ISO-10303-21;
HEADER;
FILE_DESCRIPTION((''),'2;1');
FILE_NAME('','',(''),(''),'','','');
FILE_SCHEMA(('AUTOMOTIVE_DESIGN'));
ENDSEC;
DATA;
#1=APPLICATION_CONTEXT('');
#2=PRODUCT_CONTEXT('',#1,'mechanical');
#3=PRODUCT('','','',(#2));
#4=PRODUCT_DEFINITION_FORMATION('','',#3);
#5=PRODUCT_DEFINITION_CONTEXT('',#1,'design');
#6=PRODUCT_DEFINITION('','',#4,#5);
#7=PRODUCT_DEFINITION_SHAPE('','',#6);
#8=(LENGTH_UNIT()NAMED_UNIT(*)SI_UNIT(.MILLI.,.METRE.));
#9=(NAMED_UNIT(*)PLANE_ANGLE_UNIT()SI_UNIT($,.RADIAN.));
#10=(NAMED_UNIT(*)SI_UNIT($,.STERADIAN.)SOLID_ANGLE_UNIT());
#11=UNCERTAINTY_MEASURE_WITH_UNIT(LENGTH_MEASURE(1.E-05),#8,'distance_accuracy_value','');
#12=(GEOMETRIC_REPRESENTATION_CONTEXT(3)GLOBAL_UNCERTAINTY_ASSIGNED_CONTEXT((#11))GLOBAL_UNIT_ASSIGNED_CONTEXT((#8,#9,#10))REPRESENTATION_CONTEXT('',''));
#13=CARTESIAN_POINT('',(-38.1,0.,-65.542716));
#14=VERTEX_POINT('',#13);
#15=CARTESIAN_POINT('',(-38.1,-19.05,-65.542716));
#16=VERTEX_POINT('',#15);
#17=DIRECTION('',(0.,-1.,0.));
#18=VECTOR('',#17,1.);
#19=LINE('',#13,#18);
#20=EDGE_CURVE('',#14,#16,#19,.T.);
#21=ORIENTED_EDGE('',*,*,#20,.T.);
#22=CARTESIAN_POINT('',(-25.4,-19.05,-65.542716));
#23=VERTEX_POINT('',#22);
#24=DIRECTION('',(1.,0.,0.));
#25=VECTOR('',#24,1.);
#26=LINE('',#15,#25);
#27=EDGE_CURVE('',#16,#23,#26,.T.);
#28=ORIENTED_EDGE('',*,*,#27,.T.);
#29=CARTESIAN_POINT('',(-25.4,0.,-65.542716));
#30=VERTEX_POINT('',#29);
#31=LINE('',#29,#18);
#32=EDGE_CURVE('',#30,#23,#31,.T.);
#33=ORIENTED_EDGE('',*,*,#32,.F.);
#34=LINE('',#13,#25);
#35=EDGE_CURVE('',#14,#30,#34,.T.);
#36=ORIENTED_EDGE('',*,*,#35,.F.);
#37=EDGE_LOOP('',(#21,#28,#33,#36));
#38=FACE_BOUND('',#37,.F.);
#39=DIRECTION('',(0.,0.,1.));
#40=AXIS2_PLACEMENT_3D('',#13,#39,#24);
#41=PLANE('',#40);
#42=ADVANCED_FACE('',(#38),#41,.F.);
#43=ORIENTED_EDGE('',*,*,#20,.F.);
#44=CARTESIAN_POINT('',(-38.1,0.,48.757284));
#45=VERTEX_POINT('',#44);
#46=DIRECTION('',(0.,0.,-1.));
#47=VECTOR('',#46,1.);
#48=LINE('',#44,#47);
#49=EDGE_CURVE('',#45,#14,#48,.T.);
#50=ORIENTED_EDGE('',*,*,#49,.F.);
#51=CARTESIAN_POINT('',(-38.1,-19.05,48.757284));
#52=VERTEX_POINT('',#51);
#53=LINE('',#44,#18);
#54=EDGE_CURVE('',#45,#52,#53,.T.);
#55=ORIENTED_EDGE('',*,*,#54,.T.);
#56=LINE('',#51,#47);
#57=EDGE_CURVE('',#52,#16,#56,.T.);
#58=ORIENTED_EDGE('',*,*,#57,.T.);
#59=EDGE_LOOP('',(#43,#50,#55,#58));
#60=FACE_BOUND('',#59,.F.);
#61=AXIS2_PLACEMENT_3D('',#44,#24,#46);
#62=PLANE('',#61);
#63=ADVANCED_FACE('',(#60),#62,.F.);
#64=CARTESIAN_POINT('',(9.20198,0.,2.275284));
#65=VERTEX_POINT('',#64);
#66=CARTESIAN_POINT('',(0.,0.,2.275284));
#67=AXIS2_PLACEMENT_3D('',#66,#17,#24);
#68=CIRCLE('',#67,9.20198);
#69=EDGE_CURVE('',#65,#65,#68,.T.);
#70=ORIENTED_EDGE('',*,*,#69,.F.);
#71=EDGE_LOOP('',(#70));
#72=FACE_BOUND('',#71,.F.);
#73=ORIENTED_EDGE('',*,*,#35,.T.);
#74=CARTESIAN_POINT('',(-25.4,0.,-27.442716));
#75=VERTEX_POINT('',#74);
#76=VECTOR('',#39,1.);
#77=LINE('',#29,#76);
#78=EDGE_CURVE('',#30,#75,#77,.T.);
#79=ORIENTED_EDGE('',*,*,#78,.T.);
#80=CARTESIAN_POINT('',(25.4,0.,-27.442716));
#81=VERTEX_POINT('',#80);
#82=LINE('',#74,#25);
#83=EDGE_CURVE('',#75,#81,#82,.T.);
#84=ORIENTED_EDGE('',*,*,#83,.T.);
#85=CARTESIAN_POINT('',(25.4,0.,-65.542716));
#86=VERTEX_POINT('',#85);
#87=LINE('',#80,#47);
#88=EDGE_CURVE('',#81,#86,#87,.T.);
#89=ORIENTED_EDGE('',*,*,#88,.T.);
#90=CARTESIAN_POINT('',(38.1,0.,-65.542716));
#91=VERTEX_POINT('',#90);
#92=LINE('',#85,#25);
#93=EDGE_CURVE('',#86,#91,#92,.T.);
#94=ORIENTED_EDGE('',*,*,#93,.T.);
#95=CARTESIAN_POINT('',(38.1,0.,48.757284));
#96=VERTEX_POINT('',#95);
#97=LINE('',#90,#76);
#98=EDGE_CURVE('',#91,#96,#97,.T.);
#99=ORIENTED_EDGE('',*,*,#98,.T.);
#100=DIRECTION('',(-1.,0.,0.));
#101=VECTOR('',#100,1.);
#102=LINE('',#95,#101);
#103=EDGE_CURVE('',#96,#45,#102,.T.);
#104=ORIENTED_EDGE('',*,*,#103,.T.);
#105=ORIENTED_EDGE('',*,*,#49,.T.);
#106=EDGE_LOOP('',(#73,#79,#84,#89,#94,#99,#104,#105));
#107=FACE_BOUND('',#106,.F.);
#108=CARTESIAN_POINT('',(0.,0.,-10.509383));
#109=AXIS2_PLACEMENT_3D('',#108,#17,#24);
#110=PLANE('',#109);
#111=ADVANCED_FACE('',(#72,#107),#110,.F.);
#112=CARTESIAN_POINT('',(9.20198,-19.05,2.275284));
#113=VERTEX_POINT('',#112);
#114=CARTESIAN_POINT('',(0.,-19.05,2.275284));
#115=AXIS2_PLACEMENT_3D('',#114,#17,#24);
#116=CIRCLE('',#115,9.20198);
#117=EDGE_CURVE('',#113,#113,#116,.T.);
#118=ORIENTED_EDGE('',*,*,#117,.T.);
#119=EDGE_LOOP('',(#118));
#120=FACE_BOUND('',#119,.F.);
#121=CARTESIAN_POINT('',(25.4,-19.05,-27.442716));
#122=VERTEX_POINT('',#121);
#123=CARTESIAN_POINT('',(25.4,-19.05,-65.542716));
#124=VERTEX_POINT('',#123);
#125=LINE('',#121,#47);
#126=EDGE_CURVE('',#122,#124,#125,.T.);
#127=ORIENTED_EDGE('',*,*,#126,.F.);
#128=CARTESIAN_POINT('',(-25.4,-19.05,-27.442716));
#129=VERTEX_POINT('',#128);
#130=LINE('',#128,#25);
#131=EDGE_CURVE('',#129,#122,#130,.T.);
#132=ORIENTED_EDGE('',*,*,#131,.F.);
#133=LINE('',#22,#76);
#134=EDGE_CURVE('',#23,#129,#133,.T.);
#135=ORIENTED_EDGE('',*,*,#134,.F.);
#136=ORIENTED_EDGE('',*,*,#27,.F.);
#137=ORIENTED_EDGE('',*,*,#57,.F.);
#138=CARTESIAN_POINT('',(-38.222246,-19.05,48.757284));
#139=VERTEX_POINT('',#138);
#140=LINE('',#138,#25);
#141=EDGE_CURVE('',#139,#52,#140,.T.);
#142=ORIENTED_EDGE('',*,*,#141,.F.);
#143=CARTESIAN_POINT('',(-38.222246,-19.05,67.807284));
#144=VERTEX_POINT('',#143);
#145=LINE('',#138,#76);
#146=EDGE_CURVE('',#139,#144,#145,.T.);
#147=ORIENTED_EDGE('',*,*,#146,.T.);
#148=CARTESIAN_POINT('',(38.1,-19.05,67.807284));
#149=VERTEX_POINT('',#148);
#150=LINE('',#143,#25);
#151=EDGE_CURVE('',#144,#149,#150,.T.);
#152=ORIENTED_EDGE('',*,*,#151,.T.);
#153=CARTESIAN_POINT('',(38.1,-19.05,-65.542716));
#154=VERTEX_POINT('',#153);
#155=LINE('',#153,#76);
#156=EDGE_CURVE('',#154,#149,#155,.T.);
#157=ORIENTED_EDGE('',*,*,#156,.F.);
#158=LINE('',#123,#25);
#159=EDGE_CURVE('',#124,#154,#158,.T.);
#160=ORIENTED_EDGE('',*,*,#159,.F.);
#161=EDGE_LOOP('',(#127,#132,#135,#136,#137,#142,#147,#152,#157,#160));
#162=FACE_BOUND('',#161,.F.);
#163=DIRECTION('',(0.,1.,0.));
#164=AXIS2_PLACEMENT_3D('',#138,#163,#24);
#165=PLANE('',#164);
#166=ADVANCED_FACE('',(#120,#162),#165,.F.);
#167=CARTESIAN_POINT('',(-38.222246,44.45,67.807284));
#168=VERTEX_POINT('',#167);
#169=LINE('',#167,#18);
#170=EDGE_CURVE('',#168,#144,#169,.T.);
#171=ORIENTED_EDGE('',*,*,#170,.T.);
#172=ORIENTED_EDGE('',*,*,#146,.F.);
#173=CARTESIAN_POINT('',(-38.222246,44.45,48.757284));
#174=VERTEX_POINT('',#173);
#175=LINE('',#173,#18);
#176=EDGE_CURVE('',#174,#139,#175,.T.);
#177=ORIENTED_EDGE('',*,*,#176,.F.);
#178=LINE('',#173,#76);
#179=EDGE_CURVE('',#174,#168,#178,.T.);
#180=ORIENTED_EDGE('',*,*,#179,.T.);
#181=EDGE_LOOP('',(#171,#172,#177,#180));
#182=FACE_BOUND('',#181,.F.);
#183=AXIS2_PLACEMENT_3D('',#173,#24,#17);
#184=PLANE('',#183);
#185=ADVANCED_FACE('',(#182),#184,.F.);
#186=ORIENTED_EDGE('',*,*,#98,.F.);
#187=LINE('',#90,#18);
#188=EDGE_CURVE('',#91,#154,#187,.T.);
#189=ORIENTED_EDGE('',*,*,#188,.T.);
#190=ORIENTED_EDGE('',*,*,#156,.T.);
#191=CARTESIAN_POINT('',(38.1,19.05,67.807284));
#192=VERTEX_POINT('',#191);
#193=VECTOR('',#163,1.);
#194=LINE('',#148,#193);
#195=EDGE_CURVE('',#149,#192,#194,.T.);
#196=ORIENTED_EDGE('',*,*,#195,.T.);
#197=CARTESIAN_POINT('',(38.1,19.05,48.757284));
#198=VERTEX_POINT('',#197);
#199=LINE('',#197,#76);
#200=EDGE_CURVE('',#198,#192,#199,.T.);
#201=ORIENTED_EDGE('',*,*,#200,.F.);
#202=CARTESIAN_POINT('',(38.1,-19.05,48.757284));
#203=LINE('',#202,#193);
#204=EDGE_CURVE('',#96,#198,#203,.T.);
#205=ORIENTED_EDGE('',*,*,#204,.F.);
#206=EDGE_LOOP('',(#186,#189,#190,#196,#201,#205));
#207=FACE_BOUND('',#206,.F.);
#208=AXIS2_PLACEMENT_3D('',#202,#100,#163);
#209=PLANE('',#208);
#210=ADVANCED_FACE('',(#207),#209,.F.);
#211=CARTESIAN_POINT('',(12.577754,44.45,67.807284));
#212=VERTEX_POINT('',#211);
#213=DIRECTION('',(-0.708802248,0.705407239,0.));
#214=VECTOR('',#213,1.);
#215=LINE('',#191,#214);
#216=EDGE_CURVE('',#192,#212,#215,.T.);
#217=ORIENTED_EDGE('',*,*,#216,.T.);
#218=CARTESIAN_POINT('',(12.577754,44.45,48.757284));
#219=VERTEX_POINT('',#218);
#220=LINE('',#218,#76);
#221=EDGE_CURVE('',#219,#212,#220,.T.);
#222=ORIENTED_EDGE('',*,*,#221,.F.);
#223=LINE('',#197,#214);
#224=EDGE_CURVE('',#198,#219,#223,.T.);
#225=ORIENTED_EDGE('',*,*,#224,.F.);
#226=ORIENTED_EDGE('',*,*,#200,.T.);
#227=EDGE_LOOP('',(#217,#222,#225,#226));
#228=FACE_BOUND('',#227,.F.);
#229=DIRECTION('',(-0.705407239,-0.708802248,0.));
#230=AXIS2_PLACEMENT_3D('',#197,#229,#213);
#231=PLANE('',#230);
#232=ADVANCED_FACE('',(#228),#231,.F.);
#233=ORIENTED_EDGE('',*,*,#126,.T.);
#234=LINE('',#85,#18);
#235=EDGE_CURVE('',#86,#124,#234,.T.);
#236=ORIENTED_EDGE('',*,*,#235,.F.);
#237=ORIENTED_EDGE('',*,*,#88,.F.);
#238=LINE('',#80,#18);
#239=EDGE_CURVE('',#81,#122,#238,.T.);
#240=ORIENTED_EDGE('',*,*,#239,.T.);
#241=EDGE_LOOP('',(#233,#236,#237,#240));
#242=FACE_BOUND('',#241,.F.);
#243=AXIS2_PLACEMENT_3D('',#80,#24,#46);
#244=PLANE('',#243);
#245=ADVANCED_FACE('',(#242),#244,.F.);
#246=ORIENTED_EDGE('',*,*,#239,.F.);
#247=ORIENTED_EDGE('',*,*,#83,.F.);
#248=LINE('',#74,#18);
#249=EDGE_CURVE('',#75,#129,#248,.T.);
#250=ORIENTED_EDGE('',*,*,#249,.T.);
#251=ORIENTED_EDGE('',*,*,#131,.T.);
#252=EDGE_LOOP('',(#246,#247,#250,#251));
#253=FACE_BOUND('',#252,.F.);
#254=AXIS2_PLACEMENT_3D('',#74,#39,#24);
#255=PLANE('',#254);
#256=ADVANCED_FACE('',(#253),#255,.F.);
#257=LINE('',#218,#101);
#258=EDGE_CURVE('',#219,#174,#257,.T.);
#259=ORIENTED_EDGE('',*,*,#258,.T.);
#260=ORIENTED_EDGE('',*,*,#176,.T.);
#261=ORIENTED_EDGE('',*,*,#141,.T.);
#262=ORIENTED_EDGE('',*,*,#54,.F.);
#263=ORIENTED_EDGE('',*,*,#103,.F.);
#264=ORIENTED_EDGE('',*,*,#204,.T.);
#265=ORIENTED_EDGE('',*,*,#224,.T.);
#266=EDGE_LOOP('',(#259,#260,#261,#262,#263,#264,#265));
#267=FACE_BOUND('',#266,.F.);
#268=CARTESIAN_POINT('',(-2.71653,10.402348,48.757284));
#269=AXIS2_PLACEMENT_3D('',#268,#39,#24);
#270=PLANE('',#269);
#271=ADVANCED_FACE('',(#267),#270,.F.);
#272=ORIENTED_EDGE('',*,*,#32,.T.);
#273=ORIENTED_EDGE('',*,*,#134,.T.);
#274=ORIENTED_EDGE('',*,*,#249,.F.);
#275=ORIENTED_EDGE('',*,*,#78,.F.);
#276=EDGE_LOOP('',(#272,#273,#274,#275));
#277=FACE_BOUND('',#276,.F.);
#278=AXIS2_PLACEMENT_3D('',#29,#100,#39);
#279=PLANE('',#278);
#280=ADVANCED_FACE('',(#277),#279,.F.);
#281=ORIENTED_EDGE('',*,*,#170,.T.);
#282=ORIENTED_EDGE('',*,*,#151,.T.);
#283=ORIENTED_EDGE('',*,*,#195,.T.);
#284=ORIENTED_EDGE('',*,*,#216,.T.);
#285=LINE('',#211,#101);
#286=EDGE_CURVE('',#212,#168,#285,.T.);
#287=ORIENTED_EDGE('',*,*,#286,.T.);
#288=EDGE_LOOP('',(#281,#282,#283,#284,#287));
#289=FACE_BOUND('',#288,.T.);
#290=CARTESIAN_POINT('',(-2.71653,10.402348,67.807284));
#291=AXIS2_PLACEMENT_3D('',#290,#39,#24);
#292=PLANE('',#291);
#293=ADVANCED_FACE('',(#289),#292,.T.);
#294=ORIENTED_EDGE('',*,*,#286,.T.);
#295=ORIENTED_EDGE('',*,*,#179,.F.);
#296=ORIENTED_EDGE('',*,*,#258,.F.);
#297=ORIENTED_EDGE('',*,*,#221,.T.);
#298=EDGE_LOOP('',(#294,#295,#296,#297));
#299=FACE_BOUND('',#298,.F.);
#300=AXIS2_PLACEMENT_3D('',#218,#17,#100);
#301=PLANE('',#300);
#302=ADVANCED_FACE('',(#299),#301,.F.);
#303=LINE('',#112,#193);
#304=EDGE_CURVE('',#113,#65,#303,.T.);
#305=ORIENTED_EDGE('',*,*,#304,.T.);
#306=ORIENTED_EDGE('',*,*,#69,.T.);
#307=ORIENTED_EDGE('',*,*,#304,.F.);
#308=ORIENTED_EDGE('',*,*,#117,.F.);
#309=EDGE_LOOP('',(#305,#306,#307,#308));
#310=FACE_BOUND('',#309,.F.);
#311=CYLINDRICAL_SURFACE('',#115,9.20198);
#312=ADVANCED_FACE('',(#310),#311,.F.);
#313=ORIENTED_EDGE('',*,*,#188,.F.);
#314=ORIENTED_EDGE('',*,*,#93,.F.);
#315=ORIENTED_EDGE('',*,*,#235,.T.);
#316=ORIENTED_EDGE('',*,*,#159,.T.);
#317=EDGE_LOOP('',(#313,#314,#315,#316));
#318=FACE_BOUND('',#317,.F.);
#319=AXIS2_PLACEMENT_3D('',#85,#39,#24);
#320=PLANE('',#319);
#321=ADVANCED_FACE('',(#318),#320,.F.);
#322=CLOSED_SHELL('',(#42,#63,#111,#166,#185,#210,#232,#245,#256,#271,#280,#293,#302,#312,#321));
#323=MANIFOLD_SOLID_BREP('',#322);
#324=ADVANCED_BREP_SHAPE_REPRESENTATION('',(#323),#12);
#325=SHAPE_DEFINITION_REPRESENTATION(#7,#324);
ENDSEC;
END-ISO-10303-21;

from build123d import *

# Parameters (mm, degrees)
F1_DEPTH = 19.05
F2_R     = 9.20198
F3_DEPTH = 19.05
F5_DEPTH = 19.05


with BuildPart() as f1:
    # F0 (on Front) → F1 (new body)
    with BuildSketch(Plane.XZ):
        Polygon((38.1, 48.757284), (-38.1, 48.757284), (-38.1, -65.542716), (-25.4, -65.542716), (-25.4, -27.442716), (25.4, -27.442716), (25.4, -65.542716), (38.1, -65.542716), align=None)
    extrude(amount=F1_DEPTH)

    # F2 (on face) → F3 (cut)
    with BuildSketch(Plane.XZ.offset(19.05)):
        with Locations((0, 2.275284)):
            Circle(F2_R)
    extrude(amount=-F3_DEPTH, mode=Mode.SUBTRACT)

    # F4 (on face) → F5 (join)
    with BuildSketch(Plane.XY.offset(48.757284)):
        Polygon((-38.222246, 44.45), (-38.222246, -19.05), (38.1, -19.05), (38.1, 19.05), (12.577754, 44.45), align=None)
    extrude(amount=F5_DEPTH)


solid = f1.part
